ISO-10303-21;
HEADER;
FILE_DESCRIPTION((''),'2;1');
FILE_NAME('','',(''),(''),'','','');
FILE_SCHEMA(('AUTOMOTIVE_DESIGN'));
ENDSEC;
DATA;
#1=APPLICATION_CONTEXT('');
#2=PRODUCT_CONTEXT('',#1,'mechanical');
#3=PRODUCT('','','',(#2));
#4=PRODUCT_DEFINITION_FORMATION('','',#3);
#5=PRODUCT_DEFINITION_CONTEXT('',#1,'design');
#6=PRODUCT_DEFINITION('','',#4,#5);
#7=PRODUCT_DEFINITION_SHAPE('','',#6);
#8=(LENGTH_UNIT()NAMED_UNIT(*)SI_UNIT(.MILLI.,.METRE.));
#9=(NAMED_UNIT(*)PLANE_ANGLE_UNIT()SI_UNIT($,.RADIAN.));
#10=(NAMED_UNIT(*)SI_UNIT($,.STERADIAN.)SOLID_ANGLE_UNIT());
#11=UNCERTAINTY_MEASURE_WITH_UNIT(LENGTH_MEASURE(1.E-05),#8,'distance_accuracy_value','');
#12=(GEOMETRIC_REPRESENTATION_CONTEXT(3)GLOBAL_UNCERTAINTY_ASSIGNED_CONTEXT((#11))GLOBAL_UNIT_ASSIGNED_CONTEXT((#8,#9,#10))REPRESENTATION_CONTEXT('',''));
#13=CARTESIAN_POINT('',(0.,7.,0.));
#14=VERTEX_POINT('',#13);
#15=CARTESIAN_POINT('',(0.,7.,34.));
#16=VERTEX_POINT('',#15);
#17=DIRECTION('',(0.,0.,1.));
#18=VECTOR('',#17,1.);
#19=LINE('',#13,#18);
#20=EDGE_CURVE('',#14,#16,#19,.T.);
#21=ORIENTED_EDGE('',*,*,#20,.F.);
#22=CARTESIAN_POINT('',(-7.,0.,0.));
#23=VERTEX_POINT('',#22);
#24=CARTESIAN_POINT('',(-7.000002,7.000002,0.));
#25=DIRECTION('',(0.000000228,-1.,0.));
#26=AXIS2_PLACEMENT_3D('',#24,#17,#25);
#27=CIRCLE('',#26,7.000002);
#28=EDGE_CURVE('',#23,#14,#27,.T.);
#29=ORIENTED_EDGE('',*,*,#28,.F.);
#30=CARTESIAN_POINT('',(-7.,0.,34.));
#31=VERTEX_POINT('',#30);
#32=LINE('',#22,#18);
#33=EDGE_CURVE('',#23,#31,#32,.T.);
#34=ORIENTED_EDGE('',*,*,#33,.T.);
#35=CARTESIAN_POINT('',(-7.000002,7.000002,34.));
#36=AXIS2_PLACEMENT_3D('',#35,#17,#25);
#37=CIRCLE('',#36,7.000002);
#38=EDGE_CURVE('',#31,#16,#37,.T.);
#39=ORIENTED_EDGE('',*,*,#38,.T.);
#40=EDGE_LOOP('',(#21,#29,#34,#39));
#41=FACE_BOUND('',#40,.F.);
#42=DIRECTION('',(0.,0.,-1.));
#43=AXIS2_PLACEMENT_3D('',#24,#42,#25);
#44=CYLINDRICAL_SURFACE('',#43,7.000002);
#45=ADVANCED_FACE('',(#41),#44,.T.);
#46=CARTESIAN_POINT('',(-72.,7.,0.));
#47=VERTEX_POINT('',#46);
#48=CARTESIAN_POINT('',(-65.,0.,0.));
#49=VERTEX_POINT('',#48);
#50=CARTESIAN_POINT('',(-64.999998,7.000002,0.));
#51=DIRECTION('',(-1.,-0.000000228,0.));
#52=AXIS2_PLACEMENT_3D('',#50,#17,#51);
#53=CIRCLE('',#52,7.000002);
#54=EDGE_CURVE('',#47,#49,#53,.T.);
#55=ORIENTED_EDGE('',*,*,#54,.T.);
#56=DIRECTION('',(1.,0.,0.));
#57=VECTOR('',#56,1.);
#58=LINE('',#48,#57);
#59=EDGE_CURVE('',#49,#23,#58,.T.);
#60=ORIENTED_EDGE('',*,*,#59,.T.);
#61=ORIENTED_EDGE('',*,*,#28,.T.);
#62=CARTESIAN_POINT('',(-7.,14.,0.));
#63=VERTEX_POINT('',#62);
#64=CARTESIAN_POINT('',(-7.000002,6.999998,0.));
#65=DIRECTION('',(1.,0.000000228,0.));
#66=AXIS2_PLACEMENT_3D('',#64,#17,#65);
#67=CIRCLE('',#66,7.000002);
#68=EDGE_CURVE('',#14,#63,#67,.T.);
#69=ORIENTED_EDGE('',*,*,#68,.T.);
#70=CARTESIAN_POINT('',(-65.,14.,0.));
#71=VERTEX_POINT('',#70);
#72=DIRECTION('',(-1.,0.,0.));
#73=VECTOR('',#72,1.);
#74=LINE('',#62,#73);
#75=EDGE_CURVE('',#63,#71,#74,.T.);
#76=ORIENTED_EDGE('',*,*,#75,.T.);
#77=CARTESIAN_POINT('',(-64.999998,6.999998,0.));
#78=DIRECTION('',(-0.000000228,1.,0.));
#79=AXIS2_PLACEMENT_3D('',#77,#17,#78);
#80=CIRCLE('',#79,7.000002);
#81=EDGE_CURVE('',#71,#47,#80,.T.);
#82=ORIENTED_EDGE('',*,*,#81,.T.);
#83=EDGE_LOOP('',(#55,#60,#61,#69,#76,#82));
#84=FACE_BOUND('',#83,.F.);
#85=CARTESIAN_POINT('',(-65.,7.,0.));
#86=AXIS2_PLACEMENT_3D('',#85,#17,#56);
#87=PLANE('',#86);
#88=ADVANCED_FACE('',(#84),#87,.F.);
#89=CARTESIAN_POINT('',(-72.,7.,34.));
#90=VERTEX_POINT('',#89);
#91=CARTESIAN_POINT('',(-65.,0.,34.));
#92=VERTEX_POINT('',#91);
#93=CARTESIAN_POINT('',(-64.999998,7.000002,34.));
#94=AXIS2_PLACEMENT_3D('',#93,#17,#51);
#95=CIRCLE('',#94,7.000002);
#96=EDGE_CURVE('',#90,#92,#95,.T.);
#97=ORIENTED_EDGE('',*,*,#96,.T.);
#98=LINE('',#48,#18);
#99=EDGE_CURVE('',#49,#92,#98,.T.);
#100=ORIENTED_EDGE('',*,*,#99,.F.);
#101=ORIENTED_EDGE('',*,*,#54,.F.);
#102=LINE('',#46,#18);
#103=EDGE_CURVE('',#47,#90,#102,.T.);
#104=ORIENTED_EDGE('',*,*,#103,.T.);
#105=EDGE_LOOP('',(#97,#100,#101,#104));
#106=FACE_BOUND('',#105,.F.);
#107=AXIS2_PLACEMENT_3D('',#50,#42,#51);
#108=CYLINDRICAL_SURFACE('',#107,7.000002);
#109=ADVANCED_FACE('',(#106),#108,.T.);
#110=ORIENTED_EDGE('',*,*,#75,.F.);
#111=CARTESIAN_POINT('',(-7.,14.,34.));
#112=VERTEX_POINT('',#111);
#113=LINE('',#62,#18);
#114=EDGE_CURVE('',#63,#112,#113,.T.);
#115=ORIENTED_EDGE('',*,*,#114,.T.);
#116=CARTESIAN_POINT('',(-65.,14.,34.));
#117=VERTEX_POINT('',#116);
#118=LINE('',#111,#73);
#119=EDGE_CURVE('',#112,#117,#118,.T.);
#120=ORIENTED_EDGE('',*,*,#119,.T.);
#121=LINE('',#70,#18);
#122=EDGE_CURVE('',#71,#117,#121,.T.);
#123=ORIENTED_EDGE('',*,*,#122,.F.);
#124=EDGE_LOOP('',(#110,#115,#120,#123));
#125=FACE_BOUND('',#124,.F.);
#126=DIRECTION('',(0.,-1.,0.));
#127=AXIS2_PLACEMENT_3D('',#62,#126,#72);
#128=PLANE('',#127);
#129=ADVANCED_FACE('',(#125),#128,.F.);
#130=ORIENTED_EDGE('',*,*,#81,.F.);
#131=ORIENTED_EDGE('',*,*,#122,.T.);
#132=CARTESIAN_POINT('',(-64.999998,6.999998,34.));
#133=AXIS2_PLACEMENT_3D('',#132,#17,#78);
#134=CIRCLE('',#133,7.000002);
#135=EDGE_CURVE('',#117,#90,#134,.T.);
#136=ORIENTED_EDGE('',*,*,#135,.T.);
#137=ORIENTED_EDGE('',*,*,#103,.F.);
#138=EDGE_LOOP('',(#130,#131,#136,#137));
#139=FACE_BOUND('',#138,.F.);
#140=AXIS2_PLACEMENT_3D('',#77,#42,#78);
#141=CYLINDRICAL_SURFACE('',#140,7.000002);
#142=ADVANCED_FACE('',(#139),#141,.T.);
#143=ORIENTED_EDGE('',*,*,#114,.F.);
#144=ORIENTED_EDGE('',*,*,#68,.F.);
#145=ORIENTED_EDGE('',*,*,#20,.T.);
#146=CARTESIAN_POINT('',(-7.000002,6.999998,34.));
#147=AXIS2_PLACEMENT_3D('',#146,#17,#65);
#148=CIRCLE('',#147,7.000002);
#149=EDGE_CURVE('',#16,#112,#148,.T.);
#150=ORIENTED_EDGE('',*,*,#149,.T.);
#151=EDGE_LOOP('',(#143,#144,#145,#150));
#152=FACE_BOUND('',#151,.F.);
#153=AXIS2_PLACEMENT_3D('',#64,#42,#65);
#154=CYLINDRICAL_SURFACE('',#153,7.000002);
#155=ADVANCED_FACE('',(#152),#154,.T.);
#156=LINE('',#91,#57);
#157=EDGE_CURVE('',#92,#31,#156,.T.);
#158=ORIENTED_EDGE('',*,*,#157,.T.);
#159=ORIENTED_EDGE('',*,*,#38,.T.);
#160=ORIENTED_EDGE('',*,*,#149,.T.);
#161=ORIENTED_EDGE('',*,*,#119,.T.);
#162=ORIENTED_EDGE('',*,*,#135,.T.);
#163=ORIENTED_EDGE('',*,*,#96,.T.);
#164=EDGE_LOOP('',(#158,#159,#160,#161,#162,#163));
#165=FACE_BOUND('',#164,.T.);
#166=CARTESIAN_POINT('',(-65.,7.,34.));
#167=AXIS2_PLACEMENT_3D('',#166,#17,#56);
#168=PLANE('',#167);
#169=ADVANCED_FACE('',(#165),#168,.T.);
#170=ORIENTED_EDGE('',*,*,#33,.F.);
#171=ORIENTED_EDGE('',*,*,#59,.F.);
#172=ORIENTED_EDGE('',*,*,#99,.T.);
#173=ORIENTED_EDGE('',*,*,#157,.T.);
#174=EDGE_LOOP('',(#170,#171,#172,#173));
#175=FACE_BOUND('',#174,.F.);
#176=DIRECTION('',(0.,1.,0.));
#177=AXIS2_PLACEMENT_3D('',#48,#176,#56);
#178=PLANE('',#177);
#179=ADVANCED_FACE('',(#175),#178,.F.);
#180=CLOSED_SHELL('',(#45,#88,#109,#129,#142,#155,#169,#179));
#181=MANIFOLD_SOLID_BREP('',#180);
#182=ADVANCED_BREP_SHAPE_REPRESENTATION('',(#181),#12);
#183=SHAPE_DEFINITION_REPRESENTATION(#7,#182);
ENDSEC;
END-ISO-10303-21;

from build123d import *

# Parameters (mm, degrees)
F1_DEPTH = 34


with BuildPart() as f1:
    # F0 (on Top) → F1 (new body)
    with BuildSketch(Plane.XY):
        with BuildLine():
            ThreePointArc((-72, 7), (-69.949747, 2.050253), (-65, 0))
            ThreePointArc((-65, 0), (-60.050253, 2.050253), (-58, 7))
            ThreePointArc((-58, 7), (-60.050253, 11.949747), (-65, 14))
            ThreePointArc((-65, 14), (-69.949747, 11.949747), (-72, 7))
        make_face()
        with BuildLine():
            Line((-65, 0), (-7, 0))
            ThreePointArc((-7, 0), (-14, 7), (-7, 14))
            Line((-7, 14), (-65, 14))
            ThreePointArc((-65, 14), (-60.050253, 11.949747), (-58, 7))
            ThreePointArc((-58, 7), (-60.050253, 2.050253), (-65, 0))
        make_face()
        with BuildLine():
            ThreePointArc((-7, 14), (-14, 7), (-7, 0))
            ThreePointArc((-7, 0), (-2.050253, 2.050253), (0, 7))
            ThreePointArc((0, 7), (-2.050253, 11.949747), (-7, 14))
        make_face()
    extrude(amount=F1_DEPTH)


solid = f1.part
